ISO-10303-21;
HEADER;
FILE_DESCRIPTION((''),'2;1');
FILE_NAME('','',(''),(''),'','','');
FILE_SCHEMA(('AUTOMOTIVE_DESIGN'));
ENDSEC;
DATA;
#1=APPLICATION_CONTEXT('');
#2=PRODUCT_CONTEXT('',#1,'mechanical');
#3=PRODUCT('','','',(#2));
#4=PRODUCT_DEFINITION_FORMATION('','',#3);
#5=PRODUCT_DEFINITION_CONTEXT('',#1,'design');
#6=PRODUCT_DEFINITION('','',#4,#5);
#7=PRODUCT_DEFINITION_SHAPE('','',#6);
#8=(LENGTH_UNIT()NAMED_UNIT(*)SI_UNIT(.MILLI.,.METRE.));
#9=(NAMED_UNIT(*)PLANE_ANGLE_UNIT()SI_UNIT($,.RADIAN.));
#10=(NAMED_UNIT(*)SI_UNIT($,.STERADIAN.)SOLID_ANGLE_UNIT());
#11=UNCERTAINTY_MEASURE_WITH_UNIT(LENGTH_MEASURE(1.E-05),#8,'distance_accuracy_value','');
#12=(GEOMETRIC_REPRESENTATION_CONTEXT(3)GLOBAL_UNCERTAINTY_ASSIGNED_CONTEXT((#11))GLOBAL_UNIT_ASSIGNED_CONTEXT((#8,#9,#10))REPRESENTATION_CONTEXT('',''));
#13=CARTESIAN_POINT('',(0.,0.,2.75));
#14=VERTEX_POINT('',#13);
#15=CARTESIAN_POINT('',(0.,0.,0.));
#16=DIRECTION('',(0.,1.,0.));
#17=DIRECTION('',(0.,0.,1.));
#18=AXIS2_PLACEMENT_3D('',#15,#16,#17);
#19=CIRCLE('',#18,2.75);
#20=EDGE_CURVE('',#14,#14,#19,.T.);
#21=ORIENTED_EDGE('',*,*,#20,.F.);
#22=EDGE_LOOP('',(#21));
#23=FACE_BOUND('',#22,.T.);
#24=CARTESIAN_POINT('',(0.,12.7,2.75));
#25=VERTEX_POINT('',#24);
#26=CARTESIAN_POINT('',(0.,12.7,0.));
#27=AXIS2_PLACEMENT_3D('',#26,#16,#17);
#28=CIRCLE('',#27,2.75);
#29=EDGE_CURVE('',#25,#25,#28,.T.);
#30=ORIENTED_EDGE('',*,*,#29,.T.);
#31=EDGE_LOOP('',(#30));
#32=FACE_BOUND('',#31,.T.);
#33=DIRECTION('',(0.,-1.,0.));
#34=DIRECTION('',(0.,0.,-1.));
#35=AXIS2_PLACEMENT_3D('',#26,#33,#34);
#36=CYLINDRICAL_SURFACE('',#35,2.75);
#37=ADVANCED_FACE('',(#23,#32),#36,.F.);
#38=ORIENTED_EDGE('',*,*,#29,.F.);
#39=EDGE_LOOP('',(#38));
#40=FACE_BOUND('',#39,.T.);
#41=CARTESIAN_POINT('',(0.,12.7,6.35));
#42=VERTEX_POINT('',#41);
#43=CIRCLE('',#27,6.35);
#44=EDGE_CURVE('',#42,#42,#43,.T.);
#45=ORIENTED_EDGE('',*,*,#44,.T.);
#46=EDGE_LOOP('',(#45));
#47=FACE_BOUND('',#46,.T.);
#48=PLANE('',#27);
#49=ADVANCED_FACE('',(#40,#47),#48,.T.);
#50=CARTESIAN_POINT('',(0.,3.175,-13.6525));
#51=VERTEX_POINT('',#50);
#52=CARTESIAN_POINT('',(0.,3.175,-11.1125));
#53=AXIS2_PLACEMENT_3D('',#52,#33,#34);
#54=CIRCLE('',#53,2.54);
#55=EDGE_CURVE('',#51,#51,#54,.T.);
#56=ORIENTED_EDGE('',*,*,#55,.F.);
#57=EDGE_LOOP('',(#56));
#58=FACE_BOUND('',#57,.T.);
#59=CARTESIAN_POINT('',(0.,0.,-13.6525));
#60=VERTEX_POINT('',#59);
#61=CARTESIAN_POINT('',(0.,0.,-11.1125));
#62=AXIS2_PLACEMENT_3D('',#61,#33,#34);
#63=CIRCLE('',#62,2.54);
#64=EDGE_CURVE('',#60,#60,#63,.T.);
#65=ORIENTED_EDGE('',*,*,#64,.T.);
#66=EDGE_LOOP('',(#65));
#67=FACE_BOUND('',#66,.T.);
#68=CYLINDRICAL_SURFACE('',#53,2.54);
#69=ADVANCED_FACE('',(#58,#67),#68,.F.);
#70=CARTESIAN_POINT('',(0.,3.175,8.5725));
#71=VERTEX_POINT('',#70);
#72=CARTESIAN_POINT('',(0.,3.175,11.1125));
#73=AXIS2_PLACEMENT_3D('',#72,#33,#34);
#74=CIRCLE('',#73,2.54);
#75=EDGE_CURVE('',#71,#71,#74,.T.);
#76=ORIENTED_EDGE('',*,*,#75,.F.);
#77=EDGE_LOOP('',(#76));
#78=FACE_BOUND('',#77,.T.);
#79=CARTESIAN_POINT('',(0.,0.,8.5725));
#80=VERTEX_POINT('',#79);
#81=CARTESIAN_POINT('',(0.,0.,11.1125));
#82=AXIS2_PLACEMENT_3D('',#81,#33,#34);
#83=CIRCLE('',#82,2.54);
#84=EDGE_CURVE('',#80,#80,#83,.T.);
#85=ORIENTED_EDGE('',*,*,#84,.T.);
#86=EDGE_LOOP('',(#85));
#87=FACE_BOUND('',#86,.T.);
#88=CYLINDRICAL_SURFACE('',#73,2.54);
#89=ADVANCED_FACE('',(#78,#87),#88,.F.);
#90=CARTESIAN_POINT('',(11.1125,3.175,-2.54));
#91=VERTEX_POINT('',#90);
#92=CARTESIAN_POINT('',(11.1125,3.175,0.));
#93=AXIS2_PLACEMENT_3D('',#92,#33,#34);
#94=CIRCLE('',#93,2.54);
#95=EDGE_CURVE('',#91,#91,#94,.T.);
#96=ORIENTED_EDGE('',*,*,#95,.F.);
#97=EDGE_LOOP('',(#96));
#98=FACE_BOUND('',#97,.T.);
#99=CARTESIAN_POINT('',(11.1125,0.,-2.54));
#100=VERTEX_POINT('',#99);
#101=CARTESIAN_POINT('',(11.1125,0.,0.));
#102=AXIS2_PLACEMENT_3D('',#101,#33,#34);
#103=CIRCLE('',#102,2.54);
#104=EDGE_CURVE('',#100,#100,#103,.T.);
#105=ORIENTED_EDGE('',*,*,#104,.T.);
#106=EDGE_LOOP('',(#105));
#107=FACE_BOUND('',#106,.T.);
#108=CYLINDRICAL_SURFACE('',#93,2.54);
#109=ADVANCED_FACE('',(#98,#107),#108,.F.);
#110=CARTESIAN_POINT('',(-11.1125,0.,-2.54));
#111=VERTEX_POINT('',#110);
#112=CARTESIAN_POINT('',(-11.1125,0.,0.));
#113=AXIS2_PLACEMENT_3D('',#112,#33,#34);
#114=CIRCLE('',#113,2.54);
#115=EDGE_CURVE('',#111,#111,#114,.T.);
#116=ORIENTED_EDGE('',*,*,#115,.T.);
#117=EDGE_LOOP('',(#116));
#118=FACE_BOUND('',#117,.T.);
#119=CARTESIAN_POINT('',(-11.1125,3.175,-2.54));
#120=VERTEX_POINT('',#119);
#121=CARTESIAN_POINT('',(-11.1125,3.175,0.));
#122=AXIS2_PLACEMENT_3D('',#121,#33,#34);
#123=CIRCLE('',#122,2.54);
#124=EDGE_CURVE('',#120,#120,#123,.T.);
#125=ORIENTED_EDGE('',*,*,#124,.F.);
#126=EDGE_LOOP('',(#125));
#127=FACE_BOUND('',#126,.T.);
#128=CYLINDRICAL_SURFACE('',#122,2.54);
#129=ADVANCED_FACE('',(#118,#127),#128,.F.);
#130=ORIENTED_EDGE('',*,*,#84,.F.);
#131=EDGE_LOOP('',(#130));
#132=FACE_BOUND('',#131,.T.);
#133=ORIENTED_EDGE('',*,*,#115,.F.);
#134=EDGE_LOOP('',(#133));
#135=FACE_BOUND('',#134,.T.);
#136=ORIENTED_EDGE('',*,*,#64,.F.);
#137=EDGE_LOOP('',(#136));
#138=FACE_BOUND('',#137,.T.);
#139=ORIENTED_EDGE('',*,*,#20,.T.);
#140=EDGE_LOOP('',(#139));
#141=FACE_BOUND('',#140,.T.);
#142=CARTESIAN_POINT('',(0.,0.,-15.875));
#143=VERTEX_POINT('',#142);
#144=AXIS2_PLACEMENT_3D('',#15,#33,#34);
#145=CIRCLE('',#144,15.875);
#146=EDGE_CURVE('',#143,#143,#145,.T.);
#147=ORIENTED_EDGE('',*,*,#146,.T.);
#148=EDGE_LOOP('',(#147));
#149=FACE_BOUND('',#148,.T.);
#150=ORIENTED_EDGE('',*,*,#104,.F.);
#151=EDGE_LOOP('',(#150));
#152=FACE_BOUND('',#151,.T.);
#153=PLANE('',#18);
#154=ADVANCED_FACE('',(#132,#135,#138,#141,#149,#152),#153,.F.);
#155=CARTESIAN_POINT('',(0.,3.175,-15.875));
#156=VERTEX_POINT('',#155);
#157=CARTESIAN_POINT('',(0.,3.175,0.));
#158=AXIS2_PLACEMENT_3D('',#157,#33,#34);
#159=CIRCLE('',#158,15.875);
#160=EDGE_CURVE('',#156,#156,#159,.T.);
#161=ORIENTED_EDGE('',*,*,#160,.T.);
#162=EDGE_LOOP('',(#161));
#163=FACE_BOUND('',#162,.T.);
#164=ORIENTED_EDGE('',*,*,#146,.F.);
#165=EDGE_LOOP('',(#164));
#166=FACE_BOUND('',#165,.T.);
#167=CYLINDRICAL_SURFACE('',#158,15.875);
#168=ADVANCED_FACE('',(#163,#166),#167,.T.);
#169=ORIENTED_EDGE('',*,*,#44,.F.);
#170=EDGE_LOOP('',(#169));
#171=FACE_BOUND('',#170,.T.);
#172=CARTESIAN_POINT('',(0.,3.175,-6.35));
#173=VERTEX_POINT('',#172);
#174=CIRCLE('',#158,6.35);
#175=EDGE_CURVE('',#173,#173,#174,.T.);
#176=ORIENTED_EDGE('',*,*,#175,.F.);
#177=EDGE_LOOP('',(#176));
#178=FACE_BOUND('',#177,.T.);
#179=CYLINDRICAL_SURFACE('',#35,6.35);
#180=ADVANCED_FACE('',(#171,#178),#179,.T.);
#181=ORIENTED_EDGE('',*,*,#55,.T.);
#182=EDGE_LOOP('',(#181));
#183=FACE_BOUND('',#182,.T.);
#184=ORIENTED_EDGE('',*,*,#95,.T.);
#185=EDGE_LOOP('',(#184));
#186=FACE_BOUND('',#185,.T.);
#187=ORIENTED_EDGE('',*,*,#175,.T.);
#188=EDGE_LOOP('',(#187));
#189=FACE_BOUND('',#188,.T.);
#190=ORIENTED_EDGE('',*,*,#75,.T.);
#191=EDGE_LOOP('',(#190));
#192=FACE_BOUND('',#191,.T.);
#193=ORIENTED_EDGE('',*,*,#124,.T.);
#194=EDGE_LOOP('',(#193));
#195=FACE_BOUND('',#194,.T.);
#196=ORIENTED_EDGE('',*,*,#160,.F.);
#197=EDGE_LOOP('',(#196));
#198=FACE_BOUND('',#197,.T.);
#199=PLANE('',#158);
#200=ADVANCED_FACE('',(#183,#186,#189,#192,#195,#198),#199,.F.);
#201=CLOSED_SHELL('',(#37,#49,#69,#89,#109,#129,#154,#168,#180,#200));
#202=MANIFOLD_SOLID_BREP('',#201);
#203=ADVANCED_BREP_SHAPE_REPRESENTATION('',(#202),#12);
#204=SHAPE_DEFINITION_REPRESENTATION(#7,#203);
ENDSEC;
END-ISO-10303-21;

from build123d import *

# Parameters (mm, degrees)
SKETCH1_R           = 6.35
SKETCH1_R_2         = 2.75
BOSS_EXTRUDE1_DEPTH = 12.7
SKETCH2_R           = 15.875
SKETCH2_R_2         = 2.54
SKETCH2_R_3         = 6.35
BOSS_EXTRUDE2_DEPTH = 3.175


with BuildPart() as part:
    # Sketch1 → Boss-Extrude1 (new body)
    with BuildSketch(Plane(origin=(0, 0, 0), x_dir=(1, 0, 0), z_dir=(0, 1, 0))):
        with Locations(Location((0, 0, 0), (0, 0, 270))):
            Circle(SKETCH1_R)
        with Locations(Location((0, 0, 0), (0, 0, 270))):
            Circle(SKETCH1_R_2, mode=Mode.SUBTRACT)
    extrude(amount=BOSS_EXTRUDE1_DEPTH)

    # Sketch2 → Boss-Extrude2 (add)
    with BuildSketch(Plane.XZ):
        with Locations(Location((0, 0, 0), (0, 0, 270))):
            Circle(SKETCH2_R)
        with Locations(Location((0, 11.1125, 0), (0, 0, 270))):
            Circle(SKETCH2_R_2, mode=Mode.SUBTRACT)
        with Locations(Location((0, 0, 0), (0, 0, 270))):
            Circle(SKETCH2_R_3, mode=Mode.SUBTRACT)
        with Locations(Location((11.1125, 0, 0), (0, 0, 270))):
            Circle(SKETCH2_R_2, mode=Mode.SUBTRACT)
        with Locations(Location((0, -11.1125, 0), (0, 0, 270))):
            Circle(SKETCH2_R_2, mode=Mode.SUBTRACT)
        with Locations(Location((-11.1125, 0, 0), (0, 0, 270))):
            Circle(SKETCH2_R_2, mode=Mode.SUBTRACT)
    extrude(amount=-BOSS_EXTRUDE2_DEPTH)


solid = part.part
